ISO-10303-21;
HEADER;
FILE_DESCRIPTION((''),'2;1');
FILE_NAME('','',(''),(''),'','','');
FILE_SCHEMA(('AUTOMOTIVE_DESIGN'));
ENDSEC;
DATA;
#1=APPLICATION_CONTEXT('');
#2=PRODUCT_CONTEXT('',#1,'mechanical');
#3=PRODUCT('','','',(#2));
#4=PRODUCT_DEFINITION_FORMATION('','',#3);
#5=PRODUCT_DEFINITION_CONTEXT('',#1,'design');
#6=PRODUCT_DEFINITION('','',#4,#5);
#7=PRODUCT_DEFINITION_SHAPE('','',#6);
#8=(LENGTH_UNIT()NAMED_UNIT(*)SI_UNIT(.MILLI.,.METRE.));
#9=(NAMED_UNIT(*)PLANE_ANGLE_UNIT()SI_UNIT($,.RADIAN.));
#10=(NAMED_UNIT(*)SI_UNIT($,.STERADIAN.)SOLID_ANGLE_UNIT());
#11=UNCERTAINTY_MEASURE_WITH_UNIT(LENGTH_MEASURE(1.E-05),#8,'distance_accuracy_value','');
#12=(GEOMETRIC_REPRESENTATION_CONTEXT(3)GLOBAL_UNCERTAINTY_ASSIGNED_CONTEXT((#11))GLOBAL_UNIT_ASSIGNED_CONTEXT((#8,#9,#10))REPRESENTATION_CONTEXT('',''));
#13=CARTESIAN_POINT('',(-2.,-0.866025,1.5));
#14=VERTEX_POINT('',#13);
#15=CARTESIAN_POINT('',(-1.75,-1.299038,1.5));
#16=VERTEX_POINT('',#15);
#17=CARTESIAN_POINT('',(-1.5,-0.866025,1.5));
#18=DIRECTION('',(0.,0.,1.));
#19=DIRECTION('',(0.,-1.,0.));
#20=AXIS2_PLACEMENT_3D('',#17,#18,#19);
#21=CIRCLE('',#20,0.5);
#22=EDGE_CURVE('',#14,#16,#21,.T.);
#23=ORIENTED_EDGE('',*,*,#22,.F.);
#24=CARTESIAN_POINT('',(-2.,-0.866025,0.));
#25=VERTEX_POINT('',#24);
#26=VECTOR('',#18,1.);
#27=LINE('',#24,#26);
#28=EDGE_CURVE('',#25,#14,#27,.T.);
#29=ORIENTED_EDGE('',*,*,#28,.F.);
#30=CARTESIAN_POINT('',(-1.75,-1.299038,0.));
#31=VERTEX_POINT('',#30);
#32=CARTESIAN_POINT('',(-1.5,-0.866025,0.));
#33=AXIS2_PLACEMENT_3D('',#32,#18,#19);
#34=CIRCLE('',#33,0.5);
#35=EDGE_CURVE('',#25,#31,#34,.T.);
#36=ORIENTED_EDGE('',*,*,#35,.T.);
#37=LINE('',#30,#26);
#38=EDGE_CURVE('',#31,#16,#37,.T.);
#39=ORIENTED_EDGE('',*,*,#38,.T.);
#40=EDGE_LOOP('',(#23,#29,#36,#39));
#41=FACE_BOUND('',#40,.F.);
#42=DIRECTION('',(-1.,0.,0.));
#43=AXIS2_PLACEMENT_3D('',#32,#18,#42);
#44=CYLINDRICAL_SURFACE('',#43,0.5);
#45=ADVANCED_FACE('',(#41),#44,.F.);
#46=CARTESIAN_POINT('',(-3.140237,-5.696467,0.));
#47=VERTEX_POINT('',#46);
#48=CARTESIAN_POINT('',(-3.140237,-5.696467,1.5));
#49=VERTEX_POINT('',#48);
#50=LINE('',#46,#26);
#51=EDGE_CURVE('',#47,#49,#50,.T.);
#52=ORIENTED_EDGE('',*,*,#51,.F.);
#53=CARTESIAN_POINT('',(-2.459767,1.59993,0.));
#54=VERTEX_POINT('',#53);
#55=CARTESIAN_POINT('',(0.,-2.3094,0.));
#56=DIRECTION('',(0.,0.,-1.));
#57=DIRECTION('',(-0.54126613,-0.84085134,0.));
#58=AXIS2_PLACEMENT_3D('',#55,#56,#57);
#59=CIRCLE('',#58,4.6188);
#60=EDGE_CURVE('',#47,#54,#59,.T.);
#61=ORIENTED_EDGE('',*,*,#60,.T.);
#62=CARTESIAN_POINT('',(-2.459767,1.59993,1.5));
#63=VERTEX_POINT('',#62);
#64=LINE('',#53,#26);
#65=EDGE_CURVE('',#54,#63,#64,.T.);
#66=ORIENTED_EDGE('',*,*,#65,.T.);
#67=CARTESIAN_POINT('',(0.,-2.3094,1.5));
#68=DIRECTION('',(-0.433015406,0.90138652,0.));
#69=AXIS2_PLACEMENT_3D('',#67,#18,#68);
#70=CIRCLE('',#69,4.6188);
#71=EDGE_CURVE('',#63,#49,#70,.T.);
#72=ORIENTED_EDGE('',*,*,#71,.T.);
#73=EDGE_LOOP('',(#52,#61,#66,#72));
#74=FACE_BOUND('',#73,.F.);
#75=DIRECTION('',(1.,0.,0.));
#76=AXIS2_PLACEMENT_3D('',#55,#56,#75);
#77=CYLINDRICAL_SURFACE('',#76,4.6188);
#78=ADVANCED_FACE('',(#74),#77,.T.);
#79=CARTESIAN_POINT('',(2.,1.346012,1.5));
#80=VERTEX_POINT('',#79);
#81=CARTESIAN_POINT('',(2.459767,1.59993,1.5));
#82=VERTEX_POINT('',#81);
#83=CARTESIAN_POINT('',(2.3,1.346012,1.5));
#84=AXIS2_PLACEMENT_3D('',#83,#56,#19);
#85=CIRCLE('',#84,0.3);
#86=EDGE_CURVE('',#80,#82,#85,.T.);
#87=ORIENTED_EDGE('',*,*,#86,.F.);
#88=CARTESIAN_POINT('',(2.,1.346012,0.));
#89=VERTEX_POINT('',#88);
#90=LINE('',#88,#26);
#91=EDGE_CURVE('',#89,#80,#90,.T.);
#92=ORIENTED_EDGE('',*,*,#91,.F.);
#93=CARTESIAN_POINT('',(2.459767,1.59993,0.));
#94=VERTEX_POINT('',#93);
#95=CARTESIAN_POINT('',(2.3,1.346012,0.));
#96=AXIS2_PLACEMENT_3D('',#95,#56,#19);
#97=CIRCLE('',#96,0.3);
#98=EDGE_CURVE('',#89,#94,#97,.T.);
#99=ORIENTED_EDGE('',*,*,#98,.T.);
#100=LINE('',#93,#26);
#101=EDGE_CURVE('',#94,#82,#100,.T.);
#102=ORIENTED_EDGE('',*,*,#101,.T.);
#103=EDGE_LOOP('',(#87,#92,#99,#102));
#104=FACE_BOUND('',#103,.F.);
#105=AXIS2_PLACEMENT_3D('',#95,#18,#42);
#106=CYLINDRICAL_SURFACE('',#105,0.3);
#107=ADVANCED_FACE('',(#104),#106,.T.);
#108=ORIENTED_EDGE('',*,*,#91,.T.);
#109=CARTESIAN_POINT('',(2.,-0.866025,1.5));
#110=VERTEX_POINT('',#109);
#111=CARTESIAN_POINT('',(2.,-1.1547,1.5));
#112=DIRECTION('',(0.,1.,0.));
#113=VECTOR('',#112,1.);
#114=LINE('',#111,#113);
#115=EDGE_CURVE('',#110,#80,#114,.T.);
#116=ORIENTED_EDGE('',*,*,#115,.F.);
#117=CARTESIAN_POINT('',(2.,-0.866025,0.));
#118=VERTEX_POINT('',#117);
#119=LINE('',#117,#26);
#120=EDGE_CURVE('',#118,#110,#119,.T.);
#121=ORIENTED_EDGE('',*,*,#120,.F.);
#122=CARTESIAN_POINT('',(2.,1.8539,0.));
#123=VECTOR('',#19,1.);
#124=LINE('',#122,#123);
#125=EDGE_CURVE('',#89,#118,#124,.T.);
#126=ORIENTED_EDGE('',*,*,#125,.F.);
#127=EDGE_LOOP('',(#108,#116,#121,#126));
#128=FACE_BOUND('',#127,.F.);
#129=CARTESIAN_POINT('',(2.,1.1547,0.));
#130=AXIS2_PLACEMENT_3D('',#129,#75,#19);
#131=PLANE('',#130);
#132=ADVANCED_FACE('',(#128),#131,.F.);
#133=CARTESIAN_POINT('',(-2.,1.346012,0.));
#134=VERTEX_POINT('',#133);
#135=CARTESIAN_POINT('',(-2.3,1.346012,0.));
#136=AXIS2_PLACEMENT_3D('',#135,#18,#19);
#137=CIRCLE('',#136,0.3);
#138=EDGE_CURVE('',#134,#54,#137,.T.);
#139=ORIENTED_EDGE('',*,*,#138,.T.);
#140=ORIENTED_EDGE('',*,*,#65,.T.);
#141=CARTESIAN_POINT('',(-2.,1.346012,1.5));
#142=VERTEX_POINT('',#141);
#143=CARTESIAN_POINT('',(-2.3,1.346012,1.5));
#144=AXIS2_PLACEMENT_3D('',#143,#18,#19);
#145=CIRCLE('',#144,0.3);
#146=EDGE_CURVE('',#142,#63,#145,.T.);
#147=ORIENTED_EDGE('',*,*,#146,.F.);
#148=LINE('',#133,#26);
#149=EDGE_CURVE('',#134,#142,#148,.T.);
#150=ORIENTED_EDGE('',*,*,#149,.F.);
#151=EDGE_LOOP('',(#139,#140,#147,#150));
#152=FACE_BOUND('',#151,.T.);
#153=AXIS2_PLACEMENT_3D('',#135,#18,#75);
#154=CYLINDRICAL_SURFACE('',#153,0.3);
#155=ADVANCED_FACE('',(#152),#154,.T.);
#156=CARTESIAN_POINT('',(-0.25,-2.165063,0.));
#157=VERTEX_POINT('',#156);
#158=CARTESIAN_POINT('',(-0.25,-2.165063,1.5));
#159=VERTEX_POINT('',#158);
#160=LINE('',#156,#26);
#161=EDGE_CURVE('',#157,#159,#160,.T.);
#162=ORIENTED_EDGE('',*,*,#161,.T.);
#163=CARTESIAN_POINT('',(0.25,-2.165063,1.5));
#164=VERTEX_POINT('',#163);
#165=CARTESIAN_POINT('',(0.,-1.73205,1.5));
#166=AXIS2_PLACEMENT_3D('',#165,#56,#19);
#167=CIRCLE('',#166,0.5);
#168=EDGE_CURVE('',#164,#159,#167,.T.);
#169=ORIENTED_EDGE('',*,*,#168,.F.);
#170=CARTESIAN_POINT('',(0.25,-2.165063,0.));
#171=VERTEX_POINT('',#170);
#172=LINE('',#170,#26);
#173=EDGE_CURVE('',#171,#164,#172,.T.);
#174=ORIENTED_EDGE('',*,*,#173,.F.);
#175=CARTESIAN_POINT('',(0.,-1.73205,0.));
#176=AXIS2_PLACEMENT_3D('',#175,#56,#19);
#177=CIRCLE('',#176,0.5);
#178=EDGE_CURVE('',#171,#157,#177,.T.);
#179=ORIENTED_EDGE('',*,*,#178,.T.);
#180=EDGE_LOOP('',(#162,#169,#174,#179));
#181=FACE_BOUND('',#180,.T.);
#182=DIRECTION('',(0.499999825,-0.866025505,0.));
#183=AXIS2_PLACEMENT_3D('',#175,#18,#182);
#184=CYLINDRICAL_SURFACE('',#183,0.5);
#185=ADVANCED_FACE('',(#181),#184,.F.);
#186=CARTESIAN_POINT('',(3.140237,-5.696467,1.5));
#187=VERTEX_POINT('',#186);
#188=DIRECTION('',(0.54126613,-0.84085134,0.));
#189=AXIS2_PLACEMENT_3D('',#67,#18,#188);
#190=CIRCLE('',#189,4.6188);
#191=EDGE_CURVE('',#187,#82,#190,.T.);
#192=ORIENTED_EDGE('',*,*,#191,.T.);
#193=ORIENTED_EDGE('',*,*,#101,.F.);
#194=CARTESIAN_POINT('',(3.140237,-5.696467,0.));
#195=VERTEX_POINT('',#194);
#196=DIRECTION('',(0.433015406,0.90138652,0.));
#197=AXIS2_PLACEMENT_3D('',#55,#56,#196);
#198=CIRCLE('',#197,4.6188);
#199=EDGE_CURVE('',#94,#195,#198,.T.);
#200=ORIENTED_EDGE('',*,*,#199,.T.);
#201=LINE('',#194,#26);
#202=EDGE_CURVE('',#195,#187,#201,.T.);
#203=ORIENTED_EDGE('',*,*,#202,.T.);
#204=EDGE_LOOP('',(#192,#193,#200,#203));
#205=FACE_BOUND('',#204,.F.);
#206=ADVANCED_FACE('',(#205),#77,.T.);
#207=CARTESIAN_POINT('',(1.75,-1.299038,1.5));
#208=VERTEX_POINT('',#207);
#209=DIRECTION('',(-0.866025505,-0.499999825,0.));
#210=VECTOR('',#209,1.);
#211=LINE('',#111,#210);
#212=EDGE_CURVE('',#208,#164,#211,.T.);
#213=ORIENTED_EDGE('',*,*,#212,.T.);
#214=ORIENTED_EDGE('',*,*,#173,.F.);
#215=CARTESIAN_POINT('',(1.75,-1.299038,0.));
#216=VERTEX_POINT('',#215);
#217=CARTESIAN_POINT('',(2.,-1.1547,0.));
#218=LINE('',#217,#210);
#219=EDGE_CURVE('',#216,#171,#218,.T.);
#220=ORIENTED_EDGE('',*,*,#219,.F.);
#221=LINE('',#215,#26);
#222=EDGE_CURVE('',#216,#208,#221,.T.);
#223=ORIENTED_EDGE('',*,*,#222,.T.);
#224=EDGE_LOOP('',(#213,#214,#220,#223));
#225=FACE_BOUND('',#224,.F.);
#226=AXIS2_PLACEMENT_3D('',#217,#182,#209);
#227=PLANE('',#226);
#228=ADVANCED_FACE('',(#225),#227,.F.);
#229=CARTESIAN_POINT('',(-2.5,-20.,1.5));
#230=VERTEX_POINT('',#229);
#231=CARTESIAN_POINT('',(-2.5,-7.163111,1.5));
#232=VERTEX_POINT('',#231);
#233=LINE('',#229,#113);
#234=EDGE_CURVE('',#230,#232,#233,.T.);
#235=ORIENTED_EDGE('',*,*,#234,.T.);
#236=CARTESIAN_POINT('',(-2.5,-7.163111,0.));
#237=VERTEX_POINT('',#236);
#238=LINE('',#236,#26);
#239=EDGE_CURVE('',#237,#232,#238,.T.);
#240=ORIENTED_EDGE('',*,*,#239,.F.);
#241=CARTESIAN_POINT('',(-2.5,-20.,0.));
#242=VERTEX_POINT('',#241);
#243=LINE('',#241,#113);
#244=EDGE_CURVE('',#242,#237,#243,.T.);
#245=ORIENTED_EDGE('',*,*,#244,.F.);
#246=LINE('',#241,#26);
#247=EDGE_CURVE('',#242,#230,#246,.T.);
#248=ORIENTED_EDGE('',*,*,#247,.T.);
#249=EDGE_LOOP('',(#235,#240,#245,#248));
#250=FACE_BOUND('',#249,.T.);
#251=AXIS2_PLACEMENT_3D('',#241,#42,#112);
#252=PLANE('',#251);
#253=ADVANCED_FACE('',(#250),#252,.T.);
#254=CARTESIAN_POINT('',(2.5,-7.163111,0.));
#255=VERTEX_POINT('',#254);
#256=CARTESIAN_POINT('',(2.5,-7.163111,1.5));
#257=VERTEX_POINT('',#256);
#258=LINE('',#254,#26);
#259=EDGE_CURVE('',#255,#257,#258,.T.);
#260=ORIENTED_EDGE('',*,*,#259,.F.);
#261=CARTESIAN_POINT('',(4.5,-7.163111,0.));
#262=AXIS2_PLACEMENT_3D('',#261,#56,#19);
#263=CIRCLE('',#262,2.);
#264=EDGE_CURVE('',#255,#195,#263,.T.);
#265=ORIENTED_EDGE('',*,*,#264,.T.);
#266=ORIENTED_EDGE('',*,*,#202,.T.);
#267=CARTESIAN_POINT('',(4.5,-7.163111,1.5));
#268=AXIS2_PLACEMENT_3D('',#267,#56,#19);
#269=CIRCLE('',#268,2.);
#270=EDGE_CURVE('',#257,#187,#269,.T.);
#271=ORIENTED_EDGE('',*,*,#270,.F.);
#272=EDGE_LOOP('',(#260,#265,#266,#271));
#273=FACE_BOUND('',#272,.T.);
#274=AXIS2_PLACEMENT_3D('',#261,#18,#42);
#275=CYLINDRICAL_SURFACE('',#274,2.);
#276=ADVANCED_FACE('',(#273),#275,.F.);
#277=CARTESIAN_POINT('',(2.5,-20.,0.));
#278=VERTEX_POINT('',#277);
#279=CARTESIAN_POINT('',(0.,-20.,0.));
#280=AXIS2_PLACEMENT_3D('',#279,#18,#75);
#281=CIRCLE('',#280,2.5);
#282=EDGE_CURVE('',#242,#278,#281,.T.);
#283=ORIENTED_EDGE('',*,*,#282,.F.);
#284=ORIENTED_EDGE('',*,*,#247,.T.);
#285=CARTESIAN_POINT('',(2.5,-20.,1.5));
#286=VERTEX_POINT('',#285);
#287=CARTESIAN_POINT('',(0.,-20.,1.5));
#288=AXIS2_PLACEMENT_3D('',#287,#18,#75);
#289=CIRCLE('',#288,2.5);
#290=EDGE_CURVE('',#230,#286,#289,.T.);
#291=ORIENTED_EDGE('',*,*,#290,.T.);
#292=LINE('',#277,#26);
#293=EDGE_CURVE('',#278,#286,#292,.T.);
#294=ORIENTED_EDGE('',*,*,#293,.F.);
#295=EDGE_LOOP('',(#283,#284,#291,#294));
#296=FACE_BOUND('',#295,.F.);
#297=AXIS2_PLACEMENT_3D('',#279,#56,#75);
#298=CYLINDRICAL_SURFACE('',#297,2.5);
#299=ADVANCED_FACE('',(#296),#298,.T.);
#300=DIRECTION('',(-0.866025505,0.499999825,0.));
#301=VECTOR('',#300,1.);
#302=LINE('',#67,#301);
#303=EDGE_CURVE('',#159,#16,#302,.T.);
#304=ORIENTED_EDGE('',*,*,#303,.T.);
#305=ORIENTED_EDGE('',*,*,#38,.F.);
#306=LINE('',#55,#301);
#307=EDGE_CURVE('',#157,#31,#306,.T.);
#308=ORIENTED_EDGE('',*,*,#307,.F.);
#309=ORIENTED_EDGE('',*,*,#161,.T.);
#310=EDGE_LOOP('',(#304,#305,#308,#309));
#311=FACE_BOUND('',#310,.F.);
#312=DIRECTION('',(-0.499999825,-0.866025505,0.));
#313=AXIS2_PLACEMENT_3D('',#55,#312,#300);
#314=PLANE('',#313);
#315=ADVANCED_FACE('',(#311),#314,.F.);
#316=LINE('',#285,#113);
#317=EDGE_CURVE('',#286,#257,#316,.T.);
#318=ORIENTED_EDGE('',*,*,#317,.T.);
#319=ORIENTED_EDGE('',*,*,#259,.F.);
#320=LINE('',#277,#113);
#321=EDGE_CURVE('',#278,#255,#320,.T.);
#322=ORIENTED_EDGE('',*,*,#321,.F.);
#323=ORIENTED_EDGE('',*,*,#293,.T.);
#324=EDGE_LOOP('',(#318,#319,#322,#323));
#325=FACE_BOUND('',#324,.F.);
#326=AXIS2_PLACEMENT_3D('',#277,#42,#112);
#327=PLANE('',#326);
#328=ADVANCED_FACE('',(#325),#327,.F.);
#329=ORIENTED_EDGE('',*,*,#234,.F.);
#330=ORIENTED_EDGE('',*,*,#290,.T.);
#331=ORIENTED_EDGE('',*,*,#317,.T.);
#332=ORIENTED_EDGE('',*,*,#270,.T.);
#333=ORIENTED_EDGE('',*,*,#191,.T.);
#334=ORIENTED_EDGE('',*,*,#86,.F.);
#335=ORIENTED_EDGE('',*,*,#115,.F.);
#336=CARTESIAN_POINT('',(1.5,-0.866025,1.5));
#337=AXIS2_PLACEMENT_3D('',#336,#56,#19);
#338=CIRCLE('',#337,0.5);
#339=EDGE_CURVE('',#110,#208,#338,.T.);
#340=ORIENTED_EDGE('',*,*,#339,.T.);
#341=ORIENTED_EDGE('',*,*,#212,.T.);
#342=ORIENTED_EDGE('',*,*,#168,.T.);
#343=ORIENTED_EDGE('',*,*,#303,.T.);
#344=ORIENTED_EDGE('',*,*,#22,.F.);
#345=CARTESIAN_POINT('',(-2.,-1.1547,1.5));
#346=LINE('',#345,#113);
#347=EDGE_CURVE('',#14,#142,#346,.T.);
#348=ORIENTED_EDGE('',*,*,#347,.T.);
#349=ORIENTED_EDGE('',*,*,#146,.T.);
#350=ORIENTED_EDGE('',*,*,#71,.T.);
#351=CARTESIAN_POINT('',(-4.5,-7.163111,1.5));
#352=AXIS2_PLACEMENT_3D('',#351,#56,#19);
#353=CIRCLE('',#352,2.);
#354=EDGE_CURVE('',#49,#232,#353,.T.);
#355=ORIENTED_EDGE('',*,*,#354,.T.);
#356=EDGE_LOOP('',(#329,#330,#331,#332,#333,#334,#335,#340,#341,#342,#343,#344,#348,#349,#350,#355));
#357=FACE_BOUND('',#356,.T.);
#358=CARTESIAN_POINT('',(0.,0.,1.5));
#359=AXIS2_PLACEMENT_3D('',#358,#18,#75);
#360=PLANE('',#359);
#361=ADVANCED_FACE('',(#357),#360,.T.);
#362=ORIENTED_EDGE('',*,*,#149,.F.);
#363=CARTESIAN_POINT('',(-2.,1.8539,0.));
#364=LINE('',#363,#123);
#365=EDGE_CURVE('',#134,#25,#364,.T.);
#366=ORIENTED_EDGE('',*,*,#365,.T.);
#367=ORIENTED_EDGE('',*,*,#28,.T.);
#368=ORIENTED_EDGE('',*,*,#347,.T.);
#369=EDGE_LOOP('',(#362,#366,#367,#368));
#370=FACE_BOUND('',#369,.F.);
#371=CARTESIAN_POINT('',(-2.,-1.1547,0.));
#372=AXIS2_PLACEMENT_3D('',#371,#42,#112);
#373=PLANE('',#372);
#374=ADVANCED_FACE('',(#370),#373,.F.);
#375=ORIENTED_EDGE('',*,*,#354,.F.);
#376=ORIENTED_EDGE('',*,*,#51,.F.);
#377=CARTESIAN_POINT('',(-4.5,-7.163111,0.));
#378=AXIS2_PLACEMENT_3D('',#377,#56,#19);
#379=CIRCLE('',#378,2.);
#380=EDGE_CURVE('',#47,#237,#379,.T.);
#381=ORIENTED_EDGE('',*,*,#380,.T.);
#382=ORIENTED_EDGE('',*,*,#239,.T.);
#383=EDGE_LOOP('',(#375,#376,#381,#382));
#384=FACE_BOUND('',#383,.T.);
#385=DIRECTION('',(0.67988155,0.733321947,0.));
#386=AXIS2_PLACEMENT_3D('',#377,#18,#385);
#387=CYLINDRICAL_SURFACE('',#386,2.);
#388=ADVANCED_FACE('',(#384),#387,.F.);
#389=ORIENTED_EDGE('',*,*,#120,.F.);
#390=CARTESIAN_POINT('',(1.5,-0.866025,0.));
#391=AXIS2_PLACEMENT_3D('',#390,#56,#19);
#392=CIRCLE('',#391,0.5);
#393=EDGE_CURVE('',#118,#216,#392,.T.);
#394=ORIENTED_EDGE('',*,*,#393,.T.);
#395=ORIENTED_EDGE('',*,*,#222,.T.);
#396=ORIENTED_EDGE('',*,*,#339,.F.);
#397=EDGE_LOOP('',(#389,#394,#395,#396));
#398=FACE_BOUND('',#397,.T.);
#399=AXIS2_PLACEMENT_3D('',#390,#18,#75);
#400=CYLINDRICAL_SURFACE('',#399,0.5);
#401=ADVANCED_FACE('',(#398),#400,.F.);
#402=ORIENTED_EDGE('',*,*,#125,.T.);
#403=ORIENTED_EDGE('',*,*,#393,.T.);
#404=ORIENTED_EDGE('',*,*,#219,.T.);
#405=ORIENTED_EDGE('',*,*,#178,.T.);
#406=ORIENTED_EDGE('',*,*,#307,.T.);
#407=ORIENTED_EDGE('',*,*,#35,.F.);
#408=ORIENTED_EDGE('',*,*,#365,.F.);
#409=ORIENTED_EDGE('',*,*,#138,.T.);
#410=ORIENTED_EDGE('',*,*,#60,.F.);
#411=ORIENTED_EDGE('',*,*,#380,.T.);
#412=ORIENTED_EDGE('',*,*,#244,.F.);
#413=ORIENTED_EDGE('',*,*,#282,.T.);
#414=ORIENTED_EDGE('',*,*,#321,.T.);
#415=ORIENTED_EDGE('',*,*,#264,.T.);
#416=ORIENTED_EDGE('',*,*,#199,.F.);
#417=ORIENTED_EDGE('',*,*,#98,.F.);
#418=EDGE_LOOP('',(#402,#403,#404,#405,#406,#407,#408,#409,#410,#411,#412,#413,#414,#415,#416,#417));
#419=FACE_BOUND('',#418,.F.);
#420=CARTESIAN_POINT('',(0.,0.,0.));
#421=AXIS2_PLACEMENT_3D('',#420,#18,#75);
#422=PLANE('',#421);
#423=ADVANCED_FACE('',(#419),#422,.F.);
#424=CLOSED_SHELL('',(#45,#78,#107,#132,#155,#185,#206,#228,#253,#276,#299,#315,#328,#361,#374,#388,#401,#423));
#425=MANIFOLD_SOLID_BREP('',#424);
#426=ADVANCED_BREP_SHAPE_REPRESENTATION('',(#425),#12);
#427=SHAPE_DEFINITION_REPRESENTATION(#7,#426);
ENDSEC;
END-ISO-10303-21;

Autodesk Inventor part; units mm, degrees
ref_plane "YZ Plane" through (0, 0, 0) normal (1, 0, 0) x (0, 1, 0)
ref_plane "XZ Plane" through (0, 0, 0) normal (0, 1, 0) x (-1, 0, 0)
ref_plane "XY Plane" through (0, 0, 0) normal (0, 0, 1) x (1, 0, 0)
sketch "スケッチ1" plane through (0, 0, 0) normal (0, 0, 1) x (1, 0, 0)
  line L0 (0, 2.3094) -> (2, 1.1547)
  line L1 (2, 1.1547) -> (2, -1.1547)
  line L2 (2, -1.1547) -> (0, -2.3094)
  line L3 (0, -2.3094) -> (-2, -1.1547)
  line L4 (-2, -1.1547) -> (-2, 1.1547)
  line L5 (-2, 1.1547) -> (0, 2.3094)
  circle A0 centre (0, 0) radius 3.5
  line L6 (0, 0) -> (0, -20)
  circle A1 centre (0, -20) radius 2.5
  line L7 (2.5, -20) -> (2.5, -2.4495)
  line L8 (-2.5, -20) -> (-2.5, -2.4495)
  line L9 (-2, 1.1547) -> (-3.4875, 0.2959)
  line L10 (2, 1.1547) -> (3.4875, 0.2959)
  circle A2 centre (0, -2.3094) radius 4.6188
  line L11 (2, 1.1547) -> (2, 1.8539)
  line L12 (-2, 1.1547) -> (-2, 1.8539)
  dimension "d0" = 4
  dimension "d1" = 7
  dimension "d2" = 20
  dimension "d3" = 5
extrude "押し出し1" add sketch "スケッチ1" along normal blind 1.5 contours L10 A0 L6 L2 L1 | L11 A2 A0 L10 | L4 L3 L6 A0 L9 | L9 A0 A2 L12 | A0 A2 L7 | A0 L8 A2 | A0 L6 A2 L8 | A2 L6 A1 L8 | A0 L7 A2 L6 | L7 A1 L6 A2 | A1
fillet "フィレット1" radius 0.3 2 edges at (-2, 1.8539, 0.75) (2, 1.8539, 0.75)
fillet "フィレット2" radius 0.5 3 edges at (2, -1.1547, 0.75) (0, -2.3094, 0.75) (-2, -1.1547, 0.75)
fillet "フィレット3" radius 2 2 edges at (-2.5, -6.1931, 0.75) (2.5, -6.1931, 0.75)
properties part number "M2ナットレンチ"
